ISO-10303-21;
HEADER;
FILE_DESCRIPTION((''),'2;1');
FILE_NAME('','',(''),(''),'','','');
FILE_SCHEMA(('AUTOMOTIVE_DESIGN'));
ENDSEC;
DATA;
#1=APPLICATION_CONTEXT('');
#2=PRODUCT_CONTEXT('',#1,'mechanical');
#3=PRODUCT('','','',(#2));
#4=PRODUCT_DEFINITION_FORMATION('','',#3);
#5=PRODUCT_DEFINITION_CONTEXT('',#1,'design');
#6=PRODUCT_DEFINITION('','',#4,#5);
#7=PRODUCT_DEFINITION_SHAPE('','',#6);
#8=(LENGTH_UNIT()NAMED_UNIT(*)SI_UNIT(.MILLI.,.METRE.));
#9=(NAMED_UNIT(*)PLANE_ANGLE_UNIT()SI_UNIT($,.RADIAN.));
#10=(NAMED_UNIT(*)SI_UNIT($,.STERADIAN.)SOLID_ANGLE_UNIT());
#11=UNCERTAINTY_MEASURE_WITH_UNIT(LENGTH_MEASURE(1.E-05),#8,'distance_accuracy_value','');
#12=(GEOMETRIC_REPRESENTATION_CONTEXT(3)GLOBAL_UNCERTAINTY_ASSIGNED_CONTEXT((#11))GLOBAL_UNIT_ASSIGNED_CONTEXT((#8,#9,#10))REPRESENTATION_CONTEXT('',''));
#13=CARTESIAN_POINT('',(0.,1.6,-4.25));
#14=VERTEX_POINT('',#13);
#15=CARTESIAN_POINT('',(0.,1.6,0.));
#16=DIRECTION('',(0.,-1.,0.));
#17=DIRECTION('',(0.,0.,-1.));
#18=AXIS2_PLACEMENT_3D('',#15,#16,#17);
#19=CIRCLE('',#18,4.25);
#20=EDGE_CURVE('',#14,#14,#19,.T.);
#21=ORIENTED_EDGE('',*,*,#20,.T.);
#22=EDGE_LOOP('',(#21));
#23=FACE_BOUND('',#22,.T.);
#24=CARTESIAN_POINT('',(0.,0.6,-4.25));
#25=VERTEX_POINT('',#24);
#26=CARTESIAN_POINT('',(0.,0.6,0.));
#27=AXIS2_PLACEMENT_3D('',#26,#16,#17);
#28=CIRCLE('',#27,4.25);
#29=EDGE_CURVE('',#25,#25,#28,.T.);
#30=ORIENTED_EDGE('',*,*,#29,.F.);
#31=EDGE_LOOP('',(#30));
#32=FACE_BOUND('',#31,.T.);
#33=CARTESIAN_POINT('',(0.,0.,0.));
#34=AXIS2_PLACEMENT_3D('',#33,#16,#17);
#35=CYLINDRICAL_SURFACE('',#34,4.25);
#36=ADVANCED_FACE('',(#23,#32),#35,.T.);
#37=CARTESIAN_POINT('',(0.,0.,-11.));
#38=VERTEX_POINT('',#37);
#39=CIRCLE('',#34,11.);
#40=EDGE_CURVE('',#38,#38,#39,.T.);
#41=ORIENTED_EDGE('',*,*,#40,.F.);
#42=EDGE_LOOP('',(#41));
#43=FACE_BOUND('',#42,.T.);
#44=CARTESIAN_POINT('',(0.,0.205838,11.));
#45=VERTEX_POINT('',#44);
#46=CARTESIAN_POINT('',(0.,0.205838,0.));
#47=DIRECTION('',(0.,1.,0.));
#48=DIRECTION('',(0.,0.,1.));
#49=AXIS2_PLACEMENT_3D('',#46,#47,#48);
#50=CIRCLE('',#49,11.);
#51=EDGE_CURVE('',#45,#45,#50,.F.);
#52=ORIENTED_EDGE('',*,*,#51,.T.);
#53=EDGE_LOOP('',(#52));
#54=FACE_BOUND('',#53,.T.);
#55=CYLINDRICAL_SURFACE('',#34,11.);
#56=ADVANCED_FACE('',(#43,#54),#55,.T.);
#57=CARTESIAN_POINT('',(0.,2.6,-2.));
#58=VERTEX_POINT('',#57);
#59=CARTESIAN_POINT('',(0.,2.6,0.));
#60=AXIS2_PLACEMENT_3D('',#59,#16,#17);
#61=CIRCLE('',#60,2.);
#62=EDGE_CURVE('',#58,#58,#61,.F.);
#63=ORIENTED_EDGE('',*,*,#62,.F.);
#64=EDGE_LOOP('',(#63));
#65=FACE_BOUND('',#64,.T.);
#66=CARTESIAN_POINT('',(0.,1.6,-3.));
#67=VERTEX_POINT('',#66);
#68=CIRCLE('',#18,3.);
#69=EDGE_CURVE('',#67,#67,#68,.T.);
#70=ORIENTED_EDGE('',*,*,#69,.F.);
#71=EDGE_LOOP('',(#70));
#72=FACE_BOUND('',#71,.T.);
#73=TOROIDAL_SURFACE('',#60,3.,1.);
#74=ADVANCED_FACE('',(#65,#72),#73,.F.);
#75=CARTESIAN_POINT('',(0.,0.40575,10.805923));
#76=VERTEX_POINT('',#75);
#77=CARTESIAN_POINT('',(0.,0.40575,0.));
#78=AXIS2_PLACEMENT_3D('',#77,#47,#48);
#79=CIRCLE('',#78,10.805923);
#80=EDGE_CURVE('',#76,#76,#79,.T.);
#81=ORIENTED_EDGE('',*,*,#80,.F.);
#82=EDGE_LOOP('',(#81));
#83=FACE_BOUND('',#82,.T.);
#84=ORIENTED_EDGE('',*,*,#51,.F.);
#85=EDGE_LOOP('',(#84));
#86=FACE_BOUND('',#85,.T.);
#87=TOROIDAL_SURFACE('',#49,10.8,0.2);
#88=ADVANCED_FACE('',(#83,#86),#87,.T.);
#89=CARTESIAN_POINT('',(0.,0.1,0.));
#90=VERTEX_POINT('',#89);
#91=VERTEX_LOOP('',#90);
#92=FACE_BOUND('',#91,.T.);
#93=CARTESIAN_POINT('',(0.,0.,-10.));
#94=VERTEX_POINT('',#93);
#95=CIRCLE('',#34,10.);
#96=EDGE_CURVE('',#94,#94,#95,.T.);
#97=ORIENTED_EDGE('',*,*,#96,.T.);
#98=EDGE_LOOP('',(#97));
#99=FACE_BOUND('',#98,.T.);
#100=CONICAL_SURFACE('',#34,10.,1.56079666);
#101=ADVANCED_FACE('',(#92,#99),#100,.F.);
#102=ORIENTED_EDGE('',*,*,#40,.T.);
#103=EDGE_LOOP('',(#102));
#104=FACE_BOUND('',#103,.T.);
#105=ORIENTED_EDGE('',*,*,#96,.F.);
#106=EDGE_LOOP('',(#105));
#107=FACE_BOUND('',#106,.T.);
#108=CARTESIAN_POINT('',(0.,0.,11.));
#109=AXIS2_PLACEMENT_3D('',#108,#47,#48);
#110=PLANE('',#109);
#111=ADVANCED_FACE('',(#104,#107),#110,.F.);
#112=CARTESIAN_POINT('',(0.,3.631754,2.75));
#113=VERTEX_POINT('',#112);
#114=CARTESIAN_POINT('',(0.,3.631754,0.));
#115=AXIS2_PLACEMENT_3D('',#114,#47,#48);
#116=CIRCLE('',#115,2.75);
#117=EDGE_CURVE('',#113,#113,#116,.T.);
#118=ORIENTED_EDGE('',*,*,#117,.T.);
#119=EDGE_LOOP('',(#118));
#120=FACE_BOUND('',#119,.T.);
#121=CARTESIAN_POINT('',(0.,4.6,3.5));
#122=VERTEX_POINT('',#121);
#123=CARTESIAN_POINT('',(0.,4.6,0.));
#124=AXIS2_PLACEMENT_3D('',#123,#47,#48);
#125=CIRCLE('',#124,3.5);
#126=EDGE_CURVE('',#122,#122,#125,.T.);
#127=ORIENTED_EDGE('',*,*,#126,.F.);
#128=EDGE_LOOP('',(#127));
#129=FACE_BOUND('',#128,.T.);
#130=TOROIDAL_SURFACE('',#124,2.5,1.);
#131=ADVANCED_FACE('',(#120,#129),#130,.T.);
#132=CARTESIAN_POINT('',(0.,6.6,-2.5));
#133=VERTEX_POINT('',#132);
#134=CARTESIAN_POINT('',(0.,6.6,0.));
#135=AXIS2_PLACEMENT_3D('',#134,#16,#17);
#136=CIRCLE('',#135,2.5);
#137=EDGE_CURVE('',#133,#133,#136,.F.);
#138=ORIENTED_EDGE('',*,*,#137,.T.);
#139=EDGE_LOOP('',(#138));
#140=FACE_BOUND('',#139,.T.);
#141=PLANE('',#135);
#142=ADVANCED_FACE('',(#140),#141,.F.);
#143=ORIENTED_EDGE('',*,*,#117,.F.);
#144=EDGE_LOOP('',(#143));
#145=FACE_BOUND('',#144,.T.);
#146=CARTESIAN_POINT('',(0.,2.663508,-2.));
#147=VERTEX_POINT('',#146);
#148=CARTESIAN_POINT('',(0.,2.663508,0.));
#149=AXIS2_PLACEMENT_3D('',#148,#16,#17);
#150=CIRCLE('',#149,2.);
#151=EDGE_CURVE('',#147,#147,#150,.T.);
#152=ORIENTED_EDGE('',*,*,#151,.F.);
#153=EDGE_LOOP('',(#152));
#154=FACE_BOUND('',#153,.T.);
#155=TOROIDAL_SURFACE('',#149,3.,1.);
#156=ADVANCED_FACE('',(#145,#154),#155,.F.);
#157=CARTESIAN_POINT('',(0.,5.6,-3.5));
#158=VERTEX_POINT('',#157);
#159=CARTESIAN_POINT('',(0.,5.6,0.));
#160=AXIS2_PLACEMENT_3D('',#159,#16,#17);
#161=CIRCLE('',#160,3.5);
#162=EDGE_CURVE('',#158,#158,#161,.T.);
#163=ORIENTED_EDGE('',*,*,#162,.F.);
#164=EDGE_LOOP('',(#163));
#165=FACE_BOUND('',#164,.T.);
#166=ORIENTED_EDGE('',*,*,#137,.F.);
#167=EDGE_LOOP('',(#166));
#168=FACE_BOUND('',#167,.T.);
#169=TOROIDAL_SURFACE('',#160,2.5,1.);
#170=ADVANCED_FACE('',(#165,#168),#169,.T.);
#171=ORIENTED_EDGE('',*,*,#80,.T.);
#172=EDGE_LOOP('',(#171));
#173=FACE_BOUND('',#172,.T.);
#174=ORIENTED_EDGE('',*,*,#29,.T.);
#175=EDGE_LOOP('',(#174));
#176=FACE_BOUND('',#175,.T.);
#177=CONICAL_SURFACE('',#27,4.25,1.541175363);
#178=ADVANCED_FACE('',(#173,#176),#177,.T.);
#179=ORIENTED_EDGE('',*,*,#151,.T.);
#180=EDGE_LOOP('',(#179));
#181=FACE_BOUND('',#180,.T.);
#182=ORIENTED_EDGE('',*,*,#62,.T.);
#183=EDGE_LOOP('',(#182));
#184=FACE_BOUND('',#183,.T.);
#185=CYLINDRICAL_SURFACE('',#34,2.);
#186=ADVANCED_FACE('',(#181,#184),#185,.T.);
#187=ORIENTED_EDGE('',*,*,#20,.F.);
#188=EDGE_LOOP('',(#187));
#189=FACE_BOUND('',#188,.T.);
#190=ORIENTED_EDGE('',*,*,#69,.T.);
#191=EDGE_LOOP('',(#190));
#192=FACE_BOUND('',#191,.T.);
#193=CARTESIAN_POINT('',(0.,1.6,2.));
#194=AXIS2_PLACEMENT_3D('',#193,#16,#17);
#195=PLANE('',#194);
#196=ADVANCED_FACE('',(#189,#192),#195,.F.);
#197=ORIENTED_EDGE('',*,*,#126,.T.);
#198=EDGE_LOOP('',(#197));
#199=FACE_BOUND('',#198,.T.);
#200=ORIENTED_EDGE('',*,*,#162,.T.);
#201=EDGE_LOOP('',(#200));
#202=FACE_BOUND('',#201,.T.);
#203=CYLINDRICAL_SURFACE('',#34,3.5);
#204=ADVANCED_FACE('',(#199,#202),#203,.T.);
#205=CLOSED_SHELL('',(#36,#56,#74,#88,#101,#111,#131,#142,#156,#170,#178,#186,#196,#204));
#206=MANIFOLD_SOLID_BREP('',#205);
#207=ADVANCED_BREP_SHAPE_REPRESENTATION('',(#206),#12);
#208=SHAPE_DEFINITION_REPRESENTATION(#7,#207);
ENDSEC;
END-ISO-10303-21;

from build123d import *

# Parameters (mm, degrees)
FILLET1_R = 1
FILLET2_R = 1
FILLET3_R = 0.2


with BuildPart() as part:
    # Sketch1 → Revolve1 (revolve)
    with BuildSketch(Plane(origin=(0, 0, 0), x_dir=(0, 0, -1), z_dir=(1, 0, 0)), mode=Mode.PRIVATE) as revolve1_sk:
        Polygon((-11, 0), (-10, 0), (0, 0.1), (0, 6.6), (-3.5, 6.6), (-3.5, 3.6), (-2, 3.6), (-2, 1.6), (-4.25, 1.6), (-4.25, 0.6), (-11, 0.4), align=None)
    revolve(revolve1_sk.sketch.rotate(Axis((0, 0, 0), (0, 1, 0)), 180), axis=Axis((0, 0, 0), (0, 1, 0)))

    # Fillet1
    fillet1_edges = [part.edges().sort_by_distance(p)[0] for p in [
        (0, 6.6, 3.5),
        (0, 3.6, 3.5),
    ]]
    fillet(fillet1_edges, radius=FILLET1_R)

    # Fillet2
    fillet2_edges = [part.edges().sort_by_distance(p)[0] for p in [
        (0, 1.6, 2),
        (0, 3.6, 2),
    ]]
    fillet(fillet2_edges, radius=FILLET2_R)

    # Fillet3
    fillet3_edges = [part.edges().sort_by_distance(p)[0] for p in [
        (0, 0.4, 11),
    ]]
    fillet(fillet3_edges, radius=FILLET3_R)


solid = part.part
